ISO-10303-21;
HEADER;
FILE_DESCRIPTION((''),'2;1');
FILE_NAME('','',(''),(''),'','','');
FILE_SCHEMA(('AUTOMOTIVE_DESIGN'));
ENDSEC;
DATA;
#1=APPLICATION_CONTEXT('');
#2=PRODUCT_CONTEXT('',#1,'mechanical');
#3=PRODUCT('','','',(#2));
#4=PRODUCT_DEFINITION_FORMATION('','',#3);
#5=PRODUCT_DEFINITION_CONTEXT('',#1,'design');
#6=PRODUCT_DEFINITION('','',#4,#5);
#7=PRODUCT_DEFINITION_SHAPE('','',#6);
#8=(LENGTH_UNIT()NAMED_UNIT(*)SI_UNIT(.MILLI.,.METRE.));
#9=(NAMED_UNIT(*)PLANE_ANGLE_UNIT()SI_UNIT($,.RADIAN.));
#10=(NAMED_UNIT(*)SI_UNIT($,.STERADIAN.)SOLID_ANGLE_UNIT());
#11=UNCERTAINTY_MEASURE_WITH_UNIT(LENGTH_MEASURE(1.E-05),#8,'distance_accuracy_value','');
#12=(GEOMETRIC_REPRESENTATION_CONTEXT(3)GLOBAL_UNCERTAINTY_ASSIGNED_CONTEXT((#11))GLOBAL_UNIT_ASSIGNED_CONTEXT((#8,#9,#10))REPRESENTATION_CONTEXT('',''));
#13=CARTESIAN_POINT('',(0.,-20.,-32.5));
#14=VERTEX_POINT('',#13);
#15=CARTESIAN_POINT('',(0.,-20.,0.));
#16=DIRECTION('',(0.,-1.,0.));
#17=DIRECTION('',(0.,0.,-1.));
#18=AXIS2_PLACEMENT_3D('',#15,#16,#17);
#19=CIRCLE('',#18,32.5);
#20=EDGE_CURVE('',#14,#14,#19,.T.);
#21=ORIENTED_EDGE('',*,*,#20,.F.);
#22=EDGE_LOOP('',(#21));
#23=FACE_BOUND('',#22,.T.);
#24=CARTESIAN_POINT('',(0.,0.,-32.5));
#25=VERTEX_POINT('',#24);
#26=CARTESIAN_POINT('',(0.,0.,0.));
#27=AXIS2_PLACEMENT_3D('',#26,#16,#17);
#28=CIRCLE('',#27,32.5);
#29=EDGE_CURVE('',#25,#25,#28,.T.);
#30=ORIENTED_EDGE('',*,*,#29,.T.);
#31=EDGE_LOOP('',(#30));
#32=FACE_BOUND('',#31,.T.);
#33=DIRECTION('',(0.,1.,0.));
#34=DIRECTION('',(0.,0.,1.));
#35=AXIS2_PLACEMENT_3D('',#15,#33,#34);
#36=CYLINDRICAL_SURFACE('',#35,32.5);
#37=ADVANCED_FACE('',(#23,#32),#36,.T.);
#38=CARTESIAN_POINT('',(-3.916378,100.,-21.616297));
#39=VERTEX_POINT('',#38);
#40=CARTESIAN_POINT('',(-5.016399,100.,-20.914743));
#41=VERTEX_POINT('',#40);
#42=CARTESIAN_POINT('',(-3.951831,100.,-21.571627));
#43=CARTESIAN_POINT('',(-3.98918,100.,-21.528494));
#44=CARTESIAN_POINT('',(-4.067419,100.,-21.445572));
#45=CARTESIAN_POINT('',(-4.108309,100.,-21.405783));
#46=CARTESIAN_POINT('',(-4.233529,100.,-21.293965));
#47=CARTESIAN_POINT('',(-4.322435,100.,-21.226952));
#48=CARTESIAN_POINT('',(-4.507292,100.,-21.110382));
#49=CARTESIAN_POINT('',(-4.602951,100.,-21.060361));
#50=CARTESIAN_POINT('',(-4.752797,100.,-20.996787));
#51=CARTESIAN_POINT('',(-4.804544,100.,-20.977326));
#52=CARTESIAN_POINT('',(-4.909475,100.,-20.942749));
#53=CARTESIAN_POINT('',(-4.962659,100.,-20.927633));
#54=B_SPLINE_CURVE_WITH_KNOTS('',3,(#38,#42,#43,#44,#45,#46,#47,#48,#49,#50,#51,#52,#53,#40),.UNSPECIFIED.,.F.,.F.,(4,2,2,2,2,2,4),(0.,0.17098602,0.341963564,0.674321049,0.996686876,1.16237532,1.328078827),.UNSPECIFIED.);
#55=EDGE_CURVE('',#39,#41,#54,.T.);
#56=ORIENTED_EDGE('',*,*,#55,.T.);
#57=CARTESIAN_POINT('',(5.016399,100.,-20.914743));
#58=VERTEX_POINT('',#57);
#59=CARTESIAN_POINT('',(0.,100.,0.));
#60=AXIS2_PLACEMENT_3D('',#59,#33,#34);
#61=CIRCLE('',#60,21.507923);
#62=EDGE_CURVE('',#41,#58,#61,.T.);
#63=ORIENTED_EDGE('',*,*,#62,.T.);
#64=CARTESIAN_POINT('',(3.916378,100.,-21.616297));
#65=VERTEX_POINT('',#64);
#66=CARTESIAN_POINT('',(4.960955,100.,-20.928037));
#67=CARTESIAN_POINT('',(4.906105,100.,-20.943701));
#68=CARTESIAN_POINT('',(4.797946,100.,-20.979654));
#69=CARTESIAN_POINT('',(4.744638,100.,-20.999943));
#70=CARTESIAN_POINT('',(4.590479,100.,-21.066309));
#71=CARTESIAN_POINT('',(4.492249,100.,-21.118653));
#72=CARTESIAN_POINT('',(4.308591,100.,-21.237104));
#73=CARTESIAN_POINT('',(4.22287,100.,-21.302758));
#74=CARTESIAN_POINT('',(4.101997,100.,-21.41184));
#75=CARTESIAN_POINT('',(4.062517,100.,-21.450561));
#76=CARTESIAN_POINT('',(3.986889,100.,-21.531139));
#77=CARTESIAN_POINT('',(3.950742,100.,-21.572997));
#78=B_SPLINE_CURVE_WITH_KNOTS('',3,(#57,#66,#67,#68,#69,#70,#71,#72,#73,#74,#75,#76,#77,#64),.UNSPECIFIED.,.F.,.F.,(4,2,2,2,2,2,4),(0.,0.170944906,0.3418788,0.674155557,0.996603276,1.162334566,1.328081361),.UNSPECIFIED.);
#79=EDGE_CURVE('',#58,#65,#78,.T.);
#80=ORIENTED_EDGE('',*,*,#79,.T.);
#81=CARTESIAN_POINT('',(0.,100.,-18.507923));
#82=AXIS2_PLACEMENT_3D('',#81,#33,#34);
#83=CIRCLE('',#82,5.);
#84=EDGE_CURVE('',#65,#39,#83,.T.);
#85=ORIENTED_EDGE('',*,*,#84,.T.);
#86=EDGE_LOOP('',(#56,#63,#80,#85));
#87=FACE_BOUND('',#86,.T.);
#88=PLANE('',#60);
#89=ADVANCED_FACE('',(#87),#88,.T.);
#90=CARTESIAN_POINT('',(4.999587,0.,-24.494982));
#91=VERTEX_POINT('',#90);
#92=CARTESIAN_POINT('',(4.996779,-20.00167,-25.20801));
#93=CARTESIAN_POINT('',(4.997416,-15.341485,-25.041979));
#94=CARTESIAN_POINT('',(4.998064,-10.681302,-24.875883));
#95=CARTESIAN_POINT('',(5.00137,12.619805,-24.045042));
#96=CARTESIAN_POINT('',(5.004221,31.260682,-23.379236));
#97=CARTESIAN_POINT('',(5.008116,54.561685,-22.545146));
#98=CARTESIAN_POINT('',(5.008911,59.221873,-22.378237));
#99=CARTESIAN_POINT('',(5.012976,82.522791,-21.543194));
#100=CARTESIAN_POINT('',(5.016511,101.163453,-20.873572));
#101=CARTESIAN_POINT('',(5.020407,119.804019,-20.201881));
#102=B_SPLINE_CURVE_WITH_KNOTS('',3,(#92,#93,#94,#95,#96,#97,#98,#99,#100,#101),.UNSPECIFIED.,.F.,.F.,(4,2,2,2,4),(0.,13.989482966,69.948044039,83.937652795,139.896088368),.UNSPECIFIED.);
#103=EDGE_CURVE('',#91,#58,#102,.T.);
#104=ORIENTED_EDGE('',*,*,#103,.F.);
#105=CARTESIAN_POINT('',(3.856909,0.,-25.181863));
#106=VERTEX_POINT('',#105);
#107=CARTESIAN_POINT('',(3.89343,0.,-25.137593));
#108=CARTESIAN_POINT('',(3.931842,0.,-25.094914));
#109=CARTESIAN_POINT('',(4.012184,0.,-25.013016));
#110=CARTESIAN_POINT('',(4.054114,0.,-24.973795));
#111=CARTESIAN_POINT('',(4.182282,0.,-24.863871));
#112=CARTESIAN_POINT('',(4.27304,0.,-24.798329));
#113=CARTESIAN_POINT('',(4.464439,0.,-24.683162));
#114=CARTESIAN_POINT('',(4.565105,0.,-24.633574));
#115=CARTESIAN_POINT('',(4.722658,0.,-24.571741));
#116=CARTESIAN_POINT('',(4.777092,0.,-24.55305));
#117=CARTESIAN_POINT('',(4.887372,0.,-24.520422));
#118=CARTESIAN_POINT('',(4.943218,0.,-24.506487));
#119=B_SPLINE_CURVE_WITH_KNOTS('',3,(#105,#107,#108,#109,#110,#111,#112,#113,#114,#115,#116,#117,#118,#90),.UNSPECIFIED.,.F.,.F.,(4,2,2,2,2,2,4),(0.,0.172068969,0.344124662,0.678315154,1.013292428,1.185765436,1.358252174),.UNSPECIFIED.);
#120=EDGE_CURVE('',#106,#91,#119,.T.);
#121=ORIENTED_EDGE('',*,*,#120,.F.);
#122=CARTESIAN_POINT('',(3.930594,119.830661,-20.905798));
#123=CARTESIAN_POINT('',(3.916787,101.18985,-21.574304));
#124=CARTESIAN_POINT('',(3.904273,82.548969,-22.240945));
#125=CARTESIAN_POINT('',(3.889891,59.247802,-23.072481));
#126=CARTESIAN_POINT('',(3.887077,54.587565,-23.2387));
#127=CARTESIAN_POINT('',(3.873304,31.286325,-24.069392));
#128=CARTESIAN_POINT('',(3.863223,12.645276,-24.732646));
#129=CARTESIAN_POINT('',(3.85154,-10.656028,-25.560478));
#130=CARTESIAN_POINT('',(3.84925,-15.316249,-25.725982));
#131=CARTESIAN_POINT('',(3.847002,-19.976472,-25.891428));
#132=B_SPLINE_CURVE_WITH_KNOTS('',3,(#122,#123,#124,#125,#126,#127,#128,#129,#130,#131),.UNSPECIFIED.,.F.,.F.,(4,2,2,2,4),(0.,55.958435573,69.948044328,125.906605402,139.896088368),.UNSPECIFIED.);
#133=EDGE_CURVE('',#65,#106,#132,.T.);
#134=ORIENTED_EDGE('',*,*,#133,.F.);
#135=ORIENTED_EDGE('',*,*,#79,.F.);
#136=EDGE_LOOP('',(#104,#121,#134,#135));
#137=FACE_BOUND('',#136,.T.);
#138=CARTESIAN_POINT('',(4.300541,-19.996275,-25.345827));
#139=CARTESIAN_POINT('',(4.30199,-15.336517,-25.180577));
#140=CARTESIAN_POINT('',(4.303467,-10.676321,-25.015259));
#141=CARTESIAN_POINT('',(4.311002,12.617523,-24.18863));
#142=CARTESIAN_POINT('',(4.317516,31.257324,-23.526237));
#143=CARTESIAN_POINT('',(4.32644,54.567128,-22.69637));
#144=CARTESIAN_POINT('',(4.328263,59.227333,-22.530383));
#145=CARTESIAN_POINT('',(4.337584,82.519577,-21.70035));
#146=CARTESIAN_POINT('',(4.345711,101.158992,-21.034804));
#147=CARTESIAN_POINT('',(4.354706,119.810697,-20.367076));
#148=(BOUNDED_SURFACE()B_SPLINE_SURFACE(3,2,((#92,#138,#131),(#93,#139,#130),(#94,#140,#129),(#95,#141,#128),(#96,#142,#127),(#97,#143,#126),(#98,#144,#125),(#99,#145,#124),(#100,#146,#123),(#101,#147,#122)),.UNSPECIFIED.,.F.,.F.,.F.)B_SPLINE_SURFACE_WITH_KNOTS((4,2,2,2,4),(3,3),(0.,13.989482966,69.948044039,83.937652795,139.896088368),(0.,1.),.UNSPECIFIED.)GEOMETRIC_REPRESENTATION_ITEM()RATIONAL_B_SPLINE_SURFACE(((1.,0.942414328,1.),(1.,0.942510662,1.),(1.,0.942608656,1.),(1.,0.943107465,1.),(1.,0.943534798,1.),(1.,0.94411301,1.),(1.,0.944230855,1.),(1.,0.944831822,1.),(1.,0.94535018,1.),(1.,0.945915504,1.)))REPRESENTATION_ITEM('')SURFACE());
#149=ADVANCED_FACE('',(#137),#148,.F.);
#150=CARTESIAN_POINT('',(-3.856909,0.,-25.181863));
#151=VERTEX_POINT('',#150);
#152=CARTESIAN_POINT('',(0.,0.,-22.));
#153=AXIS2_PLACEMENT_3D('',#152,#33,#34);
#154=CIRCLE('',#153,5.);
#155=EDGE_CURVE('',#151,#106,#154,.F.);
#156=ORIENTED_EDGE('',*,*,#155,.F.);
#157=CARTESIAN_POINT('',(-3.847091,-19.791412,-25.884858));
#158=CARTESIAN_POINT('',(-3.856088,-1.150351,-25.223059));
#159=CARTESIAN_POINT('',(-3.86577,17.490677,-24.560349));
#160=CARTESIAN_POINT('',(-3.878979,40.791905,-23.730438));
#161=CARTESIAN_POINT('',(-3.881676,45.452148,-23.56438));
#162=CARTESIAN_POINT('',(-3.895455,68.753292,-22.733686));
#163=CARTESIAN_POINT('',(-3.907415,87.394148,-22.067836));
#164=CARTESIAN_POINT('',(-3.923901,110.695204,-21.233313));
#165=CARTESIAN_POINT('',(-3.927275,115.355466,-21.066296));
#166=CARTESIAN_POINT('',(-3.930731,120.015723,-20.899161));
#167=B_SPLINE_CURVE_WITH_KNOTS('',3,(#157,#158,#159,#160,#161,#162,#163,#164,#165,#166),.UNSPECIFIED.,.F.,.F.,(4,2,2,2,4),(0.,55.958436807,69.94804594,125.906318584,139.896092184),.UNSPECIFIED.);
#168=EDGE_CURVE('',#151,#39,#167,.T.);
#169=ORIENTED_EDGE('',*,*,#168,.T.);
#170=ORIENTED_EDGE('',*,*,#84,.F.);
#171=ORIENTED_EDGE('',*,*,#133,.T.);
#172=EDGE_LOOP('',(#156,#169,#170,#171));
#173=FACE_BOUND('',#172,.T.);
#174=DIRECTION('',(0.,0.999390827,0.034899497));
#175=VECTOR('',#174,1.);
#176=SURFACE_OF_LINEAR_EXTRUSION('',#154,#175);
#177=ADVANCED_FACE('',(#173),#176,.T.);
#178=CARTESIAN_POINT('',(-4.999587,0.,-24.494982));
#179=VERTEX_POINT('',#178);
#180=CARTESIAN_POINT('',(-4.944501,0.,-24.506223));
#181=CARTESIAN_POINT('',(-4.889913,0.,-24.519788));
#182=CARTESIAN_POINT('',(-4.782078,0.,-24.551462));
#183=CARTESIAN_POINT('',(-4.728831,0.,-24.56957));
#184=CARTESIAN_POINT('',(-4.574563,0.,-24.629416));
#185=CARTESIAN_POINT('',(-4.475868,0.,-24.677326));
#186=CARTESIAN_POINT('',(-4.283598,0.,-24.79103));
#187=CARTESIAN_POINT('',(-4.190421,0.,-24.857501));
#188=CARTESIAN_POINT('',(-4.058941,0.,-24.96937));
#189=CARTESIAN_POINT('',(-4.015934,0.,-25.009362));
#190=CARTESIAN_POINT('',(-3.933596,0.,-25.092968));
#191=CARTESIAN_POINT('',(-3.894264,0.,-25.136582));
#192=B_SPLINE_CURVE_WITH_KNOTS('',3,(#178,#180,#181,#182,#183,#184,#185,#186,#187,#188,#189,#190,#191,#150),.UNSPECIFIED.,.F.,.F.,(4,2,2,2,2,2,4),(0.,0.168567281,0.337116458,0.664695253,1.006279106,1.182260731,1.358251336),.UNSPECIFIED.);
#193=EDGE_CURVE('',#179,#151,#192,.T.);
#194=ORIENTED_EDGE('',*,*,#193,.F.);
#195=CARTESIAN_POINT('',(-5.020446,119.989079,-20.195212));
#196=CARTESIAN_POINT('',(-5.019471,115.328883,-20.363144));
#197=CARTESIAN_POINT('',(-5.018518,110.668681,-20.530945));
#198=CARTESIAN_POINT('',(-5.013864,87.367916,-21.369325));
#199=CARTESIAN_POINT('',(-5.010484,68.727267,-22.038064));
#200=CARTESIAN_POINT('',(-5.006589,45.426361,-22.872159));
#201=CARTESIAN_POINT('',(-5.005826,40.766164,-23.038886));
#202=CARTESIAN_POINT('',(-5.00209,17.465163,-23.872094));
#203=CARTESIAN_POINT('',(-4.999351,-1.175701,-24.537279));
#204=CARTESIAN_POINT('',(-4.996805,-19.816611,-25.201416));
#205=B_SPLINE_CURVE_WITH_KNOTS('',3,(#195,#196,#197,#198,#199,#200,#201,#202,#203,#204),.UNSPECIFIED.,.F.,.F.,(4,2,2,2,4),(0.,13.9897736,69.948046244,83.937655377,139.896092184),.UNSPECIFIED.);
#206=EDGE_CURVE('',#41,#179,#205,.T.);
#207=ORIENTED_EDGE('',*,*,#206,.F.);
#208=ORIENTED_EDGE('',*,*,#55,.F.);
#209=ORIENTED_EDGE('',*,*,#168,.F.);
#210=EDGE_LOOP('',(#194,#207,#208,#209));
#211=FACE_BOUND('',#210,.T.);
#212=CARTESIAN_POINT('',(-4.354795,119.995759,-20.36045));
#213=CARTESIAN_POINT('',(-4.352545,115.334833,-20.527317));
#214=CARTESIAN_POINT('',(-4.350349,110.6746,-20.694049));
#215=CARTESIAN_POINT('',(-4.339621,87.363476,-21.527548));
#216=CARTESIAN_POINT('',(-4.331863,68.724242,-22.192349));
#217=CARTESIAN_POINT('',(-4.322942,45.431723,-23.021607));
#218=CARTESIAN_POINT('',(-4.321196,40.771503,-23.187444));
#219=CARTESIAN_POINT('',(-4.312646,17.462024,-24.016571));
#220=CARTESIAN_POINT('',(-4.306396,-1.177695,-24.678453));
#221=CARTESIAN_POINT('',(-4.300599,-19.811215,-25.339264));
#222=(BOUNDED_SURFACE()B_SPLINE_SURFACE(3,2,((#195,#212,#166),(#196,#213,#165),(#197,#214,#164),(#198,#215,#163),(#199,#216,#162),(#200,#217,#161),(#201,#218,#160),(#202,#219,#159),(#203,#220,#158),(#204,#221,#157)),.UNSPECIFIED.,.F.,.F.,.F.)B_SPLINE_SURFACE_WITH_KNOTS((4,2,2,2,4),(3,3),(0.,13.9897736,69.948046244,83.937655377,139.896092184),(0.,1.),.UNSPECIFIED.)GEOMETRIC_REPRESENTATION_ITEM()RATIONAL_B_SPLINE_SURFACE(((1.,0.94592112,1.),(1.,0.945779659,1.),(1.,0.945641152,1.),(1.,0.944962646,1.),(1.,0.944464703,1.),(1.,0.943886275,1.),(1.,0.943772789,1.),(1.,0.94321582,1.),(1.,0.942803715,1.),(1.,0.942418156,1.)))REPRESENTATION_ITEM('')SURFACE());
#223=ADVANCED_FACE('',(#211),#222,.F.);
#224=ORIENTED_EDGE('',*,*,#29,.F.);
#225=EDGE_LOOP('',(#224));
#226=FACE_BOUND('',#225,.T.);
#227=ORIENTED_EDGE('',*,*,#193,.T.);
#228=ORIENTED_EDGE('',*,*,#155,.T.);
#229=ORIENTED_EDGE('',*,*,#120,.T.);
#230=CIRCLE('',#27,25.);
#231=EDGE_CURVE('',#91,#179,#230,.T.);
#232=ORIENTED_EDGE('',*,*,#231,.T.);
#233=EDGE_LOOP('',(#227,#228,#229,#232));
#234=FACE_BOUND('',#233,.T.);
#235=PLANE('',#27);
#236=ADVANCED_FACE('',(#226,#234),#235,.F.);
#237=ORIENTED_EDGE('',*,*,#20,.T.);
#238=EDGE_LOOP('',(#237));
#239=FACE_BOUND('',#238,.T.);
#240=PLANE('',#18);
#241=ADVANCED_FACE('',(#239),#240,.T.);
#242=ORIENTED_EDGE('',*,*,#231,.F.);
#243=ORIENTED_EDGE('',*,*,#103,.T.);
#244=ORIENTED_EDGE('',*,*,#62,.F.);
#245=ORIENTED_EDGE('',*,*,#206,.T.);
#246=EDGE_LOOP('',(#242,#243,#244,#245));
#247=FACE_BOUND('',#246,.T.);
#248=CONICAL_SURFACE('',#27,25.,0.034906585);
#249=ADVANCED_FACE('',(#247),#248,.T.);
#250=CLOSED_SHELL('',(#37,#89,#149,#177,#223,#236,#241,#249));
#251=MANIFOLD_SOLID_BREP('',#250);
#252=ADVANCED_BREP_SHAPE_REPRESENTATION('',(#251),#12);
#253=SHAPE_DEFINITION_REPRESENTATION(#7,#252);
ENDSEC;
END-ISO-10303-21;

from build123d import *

# Parameters (mm, degrees)
SKIZZE1_R                       = 25
AUFSATZ_LINEAR_AUSTRAGEN1_DEPTH = 100
SKIZZE2_R                       = 32.5
AUFSATZ_LINEAR_AUSTRAGEN2_DEPTH = 20
FORMSCHR_GE1_ANGLE              = 2
VERRUNDUNG1_R                   = 2


with BuildPart() as part:
    # Skizze1 → Aufsatz-Linear austragen1 (new body)
    with BuildSketch(Plane(origin=(0, 0, 0), x_dir=(1, 0, 0), z_dir=(0, 1, 0))):
        with Locations(Location((0, 0, 0), (0, 0, 270))):  # turned: the seam where the file's is
            Circle(SKIZZE1_R)
    extrude(amount=AUFSATZ_LINEAR_AUSTRAGEN1_DEPTH)

    # Skizze2 → Aufsatz-Linear austragen2 (add)
    with BuildSketch(Plane.XZ):
        with Locations(Location((0, 0, 0), (0, 0, 270))):  # turned: the seam where the file's is
            Circle(SKIZZE2_R)
    extrude(amount=AUFSATZ_LINEAR_AUSTRAGEN2_DEPTH)

    # Formschräge1
    formschr_ge1_faces = [part.faces().sort_by_distance(p)[0] for p in [
        (0, 50, -25),
    ]]
    draft(formschr_ge1_faces, Plane.ZX, FORMSCHR_GE1_ANGLE)

    # Austragung6: sweep along a path in Skizze6
    with BuildLine(Plane(origin=(0, 0, 0), x_dir=(0, 0, -1), z_dir=(1, 0, 0))) as austragung6_path:
        Line((21.507923051, 100), (25, 0))
    # Skizze8 → Austragung6 (sweep)
    with BuildSketch(Plane(origin=(0, 100, 0), x_dir=(1, 0, 0), z_dir=(0, 1, 0))):
        with BuildLine():
            ThreePointArc((4.290296742, 21.075675738), (0, 23.507923051), (-4.290296742, 21.075675738))
            ThreePointArc((-4.290296742, 21.075675738), (0, 21.507923051), (4.290296742, 21.075675738))
        make_face()
    sweep(path=austragung6_path.line)

    # Verrundung1
    verrundung1_edges = [part.edges().sort_by_distance(p)[0] for p in [
        (-4.267773944, 50.000105853, -22.858973285),
        (4.267773944, 50.000105853, -22.858973285),
    ]]
    fillet(verrundung1_edges, radius=VERRUNDUNG1_R)


solid = part.part
